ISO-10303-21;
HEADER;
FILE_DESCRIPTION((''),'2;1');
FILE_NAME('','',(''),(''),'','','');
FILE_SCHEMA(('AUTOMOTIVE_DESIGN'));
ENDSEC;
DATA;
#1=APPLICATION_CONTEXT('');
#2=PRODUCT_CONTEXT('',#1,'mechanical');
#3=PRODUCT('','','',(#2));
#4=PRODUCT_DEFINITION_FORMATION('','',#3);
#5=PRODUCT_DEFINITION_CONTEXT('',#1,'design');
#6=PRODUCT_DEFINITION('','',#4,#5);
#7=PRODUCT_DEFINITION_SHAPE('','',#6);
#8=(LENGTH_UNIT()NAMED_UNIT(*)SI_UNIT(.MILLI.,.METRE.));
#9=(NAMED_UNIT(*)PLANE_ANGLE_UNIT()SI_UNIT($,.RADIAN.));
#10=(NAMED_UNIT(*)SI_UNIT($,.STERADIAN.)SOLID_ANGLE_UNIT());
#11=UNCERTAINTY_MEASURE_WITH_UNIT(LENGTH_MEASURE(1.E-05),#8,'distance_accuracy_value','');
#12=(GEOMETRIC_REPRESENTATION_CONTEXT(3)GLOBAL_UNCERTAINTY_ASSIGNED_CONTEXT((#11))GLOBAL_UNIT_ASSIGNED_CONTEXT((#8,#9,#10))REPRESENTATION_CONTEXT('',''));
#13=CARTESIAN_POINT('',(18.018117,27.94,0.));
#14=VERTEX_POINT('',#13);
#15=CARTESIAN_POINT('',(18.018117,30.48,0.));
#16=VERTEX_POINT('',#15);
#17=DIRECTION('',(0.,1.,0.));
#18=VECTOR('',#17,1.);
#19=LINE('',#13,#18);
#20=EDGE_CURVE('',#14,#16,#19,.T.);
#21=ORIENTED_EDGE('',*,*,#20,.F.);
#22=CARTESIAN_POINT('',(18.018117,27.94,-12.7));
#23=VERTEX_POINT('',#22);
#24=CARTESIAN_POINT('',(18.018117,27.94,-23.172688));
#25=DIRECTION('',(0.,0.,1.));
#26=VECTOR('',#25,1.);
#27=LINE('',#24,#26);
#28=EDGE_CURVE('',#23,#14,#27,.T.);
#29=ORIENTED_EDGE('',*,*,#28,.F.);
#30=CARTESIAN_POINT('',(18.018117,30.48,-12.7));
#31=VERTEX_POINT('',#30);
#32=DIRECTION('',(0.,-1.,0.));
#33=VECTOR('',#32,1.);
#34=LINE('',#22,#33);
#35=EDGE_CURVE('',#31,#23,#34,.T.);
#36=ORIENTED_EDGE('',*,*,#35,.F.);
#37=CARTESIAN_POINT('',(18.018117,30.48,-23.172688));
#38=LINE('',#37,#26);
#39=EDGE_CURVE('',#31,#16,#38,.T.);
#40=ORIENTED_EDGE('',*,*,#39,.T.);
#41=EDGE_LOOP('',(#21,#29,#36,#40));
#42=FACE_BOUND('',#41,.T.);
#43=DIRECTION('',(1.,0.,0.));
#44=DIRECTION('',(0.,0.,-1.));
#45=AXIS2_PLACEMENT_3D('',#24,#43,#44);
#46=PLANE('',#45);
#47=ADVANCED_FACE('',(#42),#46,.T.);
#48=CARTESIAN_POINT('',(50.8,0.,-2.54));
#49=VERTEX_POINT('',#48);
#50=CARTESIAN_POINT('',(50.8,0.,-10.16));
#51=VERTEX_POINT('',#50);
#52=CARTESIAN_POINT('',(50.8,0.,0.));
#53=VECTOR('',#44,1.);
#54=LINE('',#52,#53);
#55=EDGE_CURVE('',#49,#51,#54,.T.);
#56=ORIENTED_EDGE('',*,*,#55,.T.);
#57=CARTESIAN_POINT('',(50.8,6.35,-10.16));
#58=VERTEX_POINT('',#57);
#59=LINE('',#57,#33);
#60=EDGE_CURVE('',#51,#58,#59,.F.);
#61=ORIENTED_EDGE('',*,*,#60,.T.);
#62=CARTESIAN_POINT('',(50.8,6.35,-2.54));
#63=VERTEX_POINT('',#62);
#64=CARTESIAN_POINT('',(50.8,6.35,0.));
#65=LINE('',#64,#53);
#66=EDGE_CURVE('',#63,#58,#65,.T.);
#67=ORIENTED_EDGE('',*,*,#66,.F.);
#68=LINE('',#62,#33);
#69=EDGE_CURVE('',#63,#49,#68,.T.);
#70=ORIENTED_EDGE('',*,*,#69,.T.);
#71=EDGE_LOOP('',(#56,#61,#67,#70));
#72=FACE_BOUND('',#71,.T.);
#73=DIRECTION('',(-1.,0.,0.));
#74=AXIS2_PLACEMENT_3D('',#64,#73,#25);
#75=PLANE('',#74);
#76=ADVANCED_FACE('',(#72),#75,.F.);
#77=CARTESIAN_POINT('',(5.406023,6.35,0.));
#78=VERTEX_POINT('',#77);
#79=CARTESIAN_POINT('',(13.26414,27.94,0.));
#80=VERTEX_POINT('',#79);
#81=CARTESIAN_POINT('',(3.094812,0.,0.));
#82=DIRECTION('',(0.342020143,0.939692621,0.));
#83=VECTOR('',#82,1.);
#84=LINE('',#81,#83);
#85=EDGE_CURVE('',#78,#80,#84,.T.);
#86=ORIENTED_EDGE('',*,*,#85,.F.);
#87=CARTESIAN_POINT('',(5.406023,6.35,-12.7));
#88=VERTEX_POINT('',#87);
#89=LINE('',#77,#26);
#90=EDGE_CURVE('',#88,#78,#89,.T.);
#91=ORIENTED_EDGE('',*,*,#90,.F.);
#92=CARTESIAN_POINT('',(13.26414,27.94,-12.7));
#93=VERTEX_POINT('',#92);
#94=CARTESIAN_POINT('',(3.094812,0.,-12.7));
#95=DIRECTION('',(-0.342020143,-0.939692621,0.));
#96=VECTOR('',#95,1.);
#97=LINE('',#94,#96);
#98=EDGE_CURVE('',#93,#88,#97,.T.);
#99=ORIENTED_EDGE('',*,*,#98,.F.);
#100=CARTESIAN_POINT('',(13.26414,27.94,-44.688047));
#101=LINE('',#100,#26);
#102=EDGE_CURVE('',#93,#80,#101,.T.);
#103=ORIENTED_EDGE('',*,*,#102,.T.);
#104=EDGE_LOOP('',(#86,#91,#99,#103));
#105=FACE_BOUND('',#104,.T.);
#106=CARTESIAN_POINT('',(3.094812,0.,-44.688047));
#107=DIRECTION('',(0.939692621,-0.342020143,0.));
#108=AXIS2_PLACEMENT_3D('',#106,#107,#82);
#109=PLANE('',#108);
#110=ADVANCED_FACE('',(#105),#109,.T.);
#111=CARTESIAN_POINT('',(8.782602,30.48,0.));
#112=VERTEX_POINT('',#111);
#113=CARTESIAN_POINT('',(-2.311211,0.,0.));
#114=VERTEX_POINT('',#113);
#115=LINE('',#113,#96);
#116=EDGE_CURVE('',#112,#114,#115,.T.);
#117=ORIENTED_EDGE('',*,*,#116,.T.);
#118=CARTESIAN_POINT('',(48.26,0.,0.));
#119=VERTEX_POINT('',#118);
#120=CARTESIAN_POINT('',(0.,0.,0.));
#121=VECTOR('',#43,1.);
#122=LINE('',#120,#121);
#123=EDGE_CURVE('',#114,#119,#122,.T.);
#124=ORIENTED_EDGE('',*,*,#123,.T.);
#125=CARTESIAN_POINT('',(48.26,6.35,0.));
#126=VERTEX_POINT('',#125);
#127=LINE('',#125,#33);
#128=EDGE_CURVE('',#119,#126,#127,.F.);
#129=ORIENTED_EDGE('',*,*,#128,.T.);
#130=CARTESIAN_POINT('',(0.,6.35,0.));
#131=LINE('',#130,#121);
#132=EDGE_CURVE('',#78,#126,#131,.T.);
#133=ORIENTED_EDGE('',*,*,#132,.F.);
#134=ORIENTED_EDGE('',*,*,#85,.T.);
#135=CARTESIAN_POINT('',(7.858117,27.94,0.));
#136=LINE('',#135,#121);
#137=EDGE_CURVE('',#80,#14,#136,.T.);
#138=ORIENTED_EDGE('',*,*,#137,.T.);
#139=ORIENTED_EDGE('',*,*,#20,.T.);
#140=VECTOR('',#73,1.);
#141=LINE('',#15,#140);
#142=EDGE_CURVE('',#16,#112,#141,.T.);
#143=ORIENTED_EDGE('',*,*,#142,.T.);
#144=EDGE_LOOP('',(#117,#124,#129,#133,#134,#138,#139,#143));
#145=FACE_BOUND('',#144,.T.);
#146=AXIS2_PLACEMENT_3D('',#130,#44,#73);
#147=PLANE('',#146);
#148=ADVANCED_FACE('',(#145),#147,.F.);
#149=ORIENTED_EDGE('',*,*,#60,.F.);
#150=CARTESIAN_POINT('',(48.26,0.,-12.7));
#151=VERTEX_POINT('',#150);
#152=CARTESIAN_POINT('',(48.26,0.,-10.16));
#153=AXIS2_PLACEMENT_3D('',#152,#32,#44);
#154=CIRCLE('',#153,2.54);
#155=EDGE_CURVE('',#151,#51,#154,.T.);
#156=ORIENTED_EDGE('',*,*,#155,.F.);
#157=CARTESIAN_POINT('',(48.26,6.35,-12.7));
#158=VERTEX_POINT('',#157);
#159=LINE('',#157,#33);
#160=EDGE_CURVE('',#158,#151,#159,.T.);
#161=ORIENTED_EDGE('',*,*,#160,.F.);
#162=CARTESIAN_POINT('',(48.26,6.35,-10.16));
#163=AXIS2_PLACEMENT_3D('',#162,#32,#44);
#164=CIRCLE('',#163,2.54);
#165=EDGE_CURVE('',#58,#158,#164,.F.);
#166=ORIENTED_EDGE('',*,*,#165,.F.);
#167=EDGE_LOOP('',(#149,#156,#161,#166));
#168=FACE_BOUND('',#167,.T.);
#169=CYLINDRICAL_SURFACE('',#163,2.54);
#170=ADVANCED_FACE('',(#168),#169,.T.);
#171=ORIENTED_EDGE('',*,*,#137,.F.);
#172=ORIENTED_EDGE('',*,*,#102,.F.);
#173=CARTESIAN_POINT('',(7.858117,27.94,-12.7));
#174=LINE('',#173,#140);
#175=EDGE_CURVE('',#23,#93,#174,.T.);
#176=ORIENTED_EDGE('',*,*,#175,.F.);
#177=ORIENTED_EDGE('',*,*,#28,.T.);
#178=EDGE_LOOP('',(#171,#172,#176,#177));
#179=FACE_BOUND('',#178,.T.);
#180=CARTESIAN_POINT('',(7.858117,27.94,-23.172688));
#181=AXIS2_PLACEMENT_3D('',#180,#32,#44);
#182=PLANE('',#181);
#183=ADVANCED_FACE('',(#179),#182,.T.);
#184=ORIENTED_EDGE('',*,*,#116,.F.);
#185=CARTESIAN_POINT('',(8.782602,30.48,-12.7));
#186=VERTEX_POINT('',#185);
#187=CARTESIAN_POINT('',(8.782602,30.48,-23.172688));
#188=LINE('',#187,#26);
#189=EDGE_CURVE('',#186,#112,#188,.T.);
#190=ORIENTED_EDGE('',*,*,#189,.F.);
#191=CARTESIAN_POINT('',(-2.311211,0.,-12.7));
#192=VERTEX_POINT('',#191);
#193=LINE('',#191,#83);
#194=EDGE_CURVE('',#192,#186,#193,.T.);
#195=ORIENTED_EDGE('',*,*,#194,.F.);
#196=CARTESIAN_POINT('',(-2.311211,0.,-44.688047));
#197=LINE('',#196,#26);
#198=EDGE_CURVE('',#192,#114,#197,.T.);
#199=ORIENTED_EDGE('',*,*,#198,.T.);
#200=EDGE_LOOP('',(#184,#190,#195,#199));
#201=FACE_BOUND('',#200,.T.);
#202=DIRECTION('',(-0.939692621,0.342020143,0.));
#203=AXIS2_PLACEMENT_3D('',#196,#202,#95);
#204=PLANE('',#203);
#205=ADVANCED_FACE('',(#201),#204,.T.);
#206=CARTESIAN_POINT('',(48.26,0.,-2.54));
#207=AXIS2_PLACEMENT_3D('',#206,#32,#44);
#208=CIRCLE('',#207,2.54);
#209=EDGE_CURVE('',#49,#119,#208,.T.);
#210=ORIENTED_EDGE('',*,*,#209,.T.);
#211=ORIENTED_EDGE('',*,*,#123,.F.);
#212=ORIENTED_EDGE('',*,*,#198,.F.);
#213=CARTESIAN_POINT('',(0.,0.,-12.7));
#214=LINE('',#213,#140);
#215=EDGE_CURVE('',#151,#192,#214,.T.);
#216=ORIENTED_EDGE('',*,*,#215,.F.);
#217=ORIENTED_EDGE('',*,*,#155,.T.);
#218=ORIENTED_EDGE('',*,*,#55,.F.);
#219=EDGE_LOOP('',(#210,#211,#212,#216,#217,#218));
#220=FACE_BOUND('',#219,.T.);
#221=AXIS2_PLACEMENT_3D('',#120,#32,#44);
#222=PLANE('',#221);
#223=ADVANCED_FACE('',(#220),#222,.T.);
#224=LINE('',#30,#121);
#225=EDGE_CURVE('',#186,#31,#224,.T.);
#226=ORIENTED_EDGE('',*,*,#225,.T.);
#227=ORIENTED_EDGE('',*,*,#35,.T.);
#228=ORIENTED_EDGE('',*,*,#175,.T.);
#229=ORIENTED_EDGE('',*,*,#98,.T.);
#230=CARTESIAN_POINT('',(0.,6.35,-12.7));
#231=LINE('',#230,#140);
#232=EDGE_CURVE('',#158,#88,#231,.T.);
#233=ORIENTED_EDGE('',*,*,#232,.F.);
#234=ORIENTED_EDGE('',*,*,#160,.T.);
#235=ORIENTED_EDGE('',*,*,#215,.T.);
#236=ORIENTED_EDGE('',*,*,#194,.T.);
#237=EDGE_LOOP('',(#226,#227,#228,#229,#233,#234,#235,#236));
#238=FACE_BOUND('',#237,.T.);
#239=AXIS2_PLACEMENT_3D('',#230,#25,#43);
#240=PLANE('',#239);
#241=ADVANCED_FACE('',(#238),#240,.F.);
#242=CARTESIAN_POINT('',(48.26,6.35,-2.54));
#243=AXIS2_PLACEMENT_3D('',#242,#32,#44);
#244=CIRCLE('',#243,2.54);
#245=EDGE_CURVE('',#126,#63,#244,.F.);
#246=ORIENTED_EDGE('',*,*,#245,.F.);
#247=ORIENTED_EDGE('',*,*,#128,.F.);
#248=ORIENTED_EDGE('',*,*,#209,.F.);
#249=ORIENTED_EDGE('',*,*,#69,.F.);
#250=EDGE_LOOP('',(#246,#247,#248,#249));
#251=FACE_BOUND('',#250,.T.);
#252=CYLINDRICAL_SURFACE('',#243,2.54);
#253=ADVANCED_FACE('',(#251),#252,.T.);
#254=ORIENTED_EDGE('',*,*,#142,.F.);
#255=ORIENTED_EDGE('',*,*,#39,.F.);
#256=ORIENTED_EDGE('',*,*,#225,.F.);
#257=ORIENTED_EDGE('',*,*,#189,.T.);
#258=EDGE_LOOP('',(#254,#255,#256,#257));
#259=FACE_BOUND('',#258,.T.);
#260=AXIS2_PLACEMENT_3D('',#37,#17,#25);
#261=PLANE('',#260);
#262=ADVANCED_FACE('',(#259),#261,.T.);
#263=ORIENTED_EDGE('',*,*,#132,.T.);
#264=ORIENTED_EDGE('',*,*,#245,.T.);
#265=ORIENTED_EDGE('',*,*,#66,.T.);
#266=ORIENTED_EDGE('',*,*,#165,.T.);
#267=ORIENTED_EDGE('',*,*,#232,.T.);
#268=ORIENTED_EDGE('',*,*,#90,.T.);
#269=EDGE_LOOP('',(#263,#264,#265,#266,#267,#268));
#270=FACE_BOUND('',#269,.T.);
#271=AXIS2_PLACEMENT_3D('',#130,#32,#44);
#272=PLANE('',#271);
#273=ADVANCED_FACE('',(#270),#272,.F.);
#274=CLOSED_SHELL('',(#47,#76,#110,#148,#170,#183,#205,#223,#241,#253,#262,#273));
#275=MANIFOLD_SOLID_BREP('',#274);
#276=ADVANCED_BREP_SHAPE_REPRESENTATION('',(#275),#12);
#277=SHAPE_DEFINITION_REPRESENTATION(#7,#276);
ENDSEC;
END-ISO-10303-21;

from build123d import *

# Parameters (mm, degrees)
SKETCH1_W           = 50.8
SKETCH1_H           = 12.7
BOSS_EXTRUDE1_DEPTH = 6.35
FILLET1_R           = 2.54
BOSS_EXTRUDE2_DEPTH = 12.7
BOSS_EXTRUDE3_DEPTH = 12.7


with BuildPart() as part:
    # Sketch1 → Boss-Extrude1 (new body)
    with BuildSketch(Plane(origin=(0, 0, 0), x_dir=(1, 0, 0), z_dir=(0, 1, 0))):
        with Locations((25.4, 6.35)):
            Rectangle(SKETCH1_W, SKETCH1_H)
    extrude(amount=BOSS_EXTRUDE1_DEPTH)

    # Fillet1
    fillet1_edges = [part.edges().sort_by_distance(p)[0] for p in [
        (50.8, 3.175, -12.7),
        (50.8, 3.175, 0),
    ]]
    fillet(fillet1_edges, radius=FILLET1_R)

    # Sketch3 → Boss-Extrude2 (add)
    with BuildSketch(Plane.XY):
        Polygon((-2.311210988, 0), (7.858117358, 27.94), (13.264140442, 27.94), (3.094812097, 0), align=None)
    extrude(amount=-BOSS_EXTRUDE2_DEPTH)

    # Sketch4 → Boss-Extrude3 (add)
    with BuildSketch(Plane.XY):
        Polygon((7.858117358, 27.94), (18.018117358, 27.94), (18.018117358, 30.48), (8.782601753, 30.48), align=None)
    extrude(amount=-BOSS_EXTRUDE3_DEPTH)


solid = part.part
